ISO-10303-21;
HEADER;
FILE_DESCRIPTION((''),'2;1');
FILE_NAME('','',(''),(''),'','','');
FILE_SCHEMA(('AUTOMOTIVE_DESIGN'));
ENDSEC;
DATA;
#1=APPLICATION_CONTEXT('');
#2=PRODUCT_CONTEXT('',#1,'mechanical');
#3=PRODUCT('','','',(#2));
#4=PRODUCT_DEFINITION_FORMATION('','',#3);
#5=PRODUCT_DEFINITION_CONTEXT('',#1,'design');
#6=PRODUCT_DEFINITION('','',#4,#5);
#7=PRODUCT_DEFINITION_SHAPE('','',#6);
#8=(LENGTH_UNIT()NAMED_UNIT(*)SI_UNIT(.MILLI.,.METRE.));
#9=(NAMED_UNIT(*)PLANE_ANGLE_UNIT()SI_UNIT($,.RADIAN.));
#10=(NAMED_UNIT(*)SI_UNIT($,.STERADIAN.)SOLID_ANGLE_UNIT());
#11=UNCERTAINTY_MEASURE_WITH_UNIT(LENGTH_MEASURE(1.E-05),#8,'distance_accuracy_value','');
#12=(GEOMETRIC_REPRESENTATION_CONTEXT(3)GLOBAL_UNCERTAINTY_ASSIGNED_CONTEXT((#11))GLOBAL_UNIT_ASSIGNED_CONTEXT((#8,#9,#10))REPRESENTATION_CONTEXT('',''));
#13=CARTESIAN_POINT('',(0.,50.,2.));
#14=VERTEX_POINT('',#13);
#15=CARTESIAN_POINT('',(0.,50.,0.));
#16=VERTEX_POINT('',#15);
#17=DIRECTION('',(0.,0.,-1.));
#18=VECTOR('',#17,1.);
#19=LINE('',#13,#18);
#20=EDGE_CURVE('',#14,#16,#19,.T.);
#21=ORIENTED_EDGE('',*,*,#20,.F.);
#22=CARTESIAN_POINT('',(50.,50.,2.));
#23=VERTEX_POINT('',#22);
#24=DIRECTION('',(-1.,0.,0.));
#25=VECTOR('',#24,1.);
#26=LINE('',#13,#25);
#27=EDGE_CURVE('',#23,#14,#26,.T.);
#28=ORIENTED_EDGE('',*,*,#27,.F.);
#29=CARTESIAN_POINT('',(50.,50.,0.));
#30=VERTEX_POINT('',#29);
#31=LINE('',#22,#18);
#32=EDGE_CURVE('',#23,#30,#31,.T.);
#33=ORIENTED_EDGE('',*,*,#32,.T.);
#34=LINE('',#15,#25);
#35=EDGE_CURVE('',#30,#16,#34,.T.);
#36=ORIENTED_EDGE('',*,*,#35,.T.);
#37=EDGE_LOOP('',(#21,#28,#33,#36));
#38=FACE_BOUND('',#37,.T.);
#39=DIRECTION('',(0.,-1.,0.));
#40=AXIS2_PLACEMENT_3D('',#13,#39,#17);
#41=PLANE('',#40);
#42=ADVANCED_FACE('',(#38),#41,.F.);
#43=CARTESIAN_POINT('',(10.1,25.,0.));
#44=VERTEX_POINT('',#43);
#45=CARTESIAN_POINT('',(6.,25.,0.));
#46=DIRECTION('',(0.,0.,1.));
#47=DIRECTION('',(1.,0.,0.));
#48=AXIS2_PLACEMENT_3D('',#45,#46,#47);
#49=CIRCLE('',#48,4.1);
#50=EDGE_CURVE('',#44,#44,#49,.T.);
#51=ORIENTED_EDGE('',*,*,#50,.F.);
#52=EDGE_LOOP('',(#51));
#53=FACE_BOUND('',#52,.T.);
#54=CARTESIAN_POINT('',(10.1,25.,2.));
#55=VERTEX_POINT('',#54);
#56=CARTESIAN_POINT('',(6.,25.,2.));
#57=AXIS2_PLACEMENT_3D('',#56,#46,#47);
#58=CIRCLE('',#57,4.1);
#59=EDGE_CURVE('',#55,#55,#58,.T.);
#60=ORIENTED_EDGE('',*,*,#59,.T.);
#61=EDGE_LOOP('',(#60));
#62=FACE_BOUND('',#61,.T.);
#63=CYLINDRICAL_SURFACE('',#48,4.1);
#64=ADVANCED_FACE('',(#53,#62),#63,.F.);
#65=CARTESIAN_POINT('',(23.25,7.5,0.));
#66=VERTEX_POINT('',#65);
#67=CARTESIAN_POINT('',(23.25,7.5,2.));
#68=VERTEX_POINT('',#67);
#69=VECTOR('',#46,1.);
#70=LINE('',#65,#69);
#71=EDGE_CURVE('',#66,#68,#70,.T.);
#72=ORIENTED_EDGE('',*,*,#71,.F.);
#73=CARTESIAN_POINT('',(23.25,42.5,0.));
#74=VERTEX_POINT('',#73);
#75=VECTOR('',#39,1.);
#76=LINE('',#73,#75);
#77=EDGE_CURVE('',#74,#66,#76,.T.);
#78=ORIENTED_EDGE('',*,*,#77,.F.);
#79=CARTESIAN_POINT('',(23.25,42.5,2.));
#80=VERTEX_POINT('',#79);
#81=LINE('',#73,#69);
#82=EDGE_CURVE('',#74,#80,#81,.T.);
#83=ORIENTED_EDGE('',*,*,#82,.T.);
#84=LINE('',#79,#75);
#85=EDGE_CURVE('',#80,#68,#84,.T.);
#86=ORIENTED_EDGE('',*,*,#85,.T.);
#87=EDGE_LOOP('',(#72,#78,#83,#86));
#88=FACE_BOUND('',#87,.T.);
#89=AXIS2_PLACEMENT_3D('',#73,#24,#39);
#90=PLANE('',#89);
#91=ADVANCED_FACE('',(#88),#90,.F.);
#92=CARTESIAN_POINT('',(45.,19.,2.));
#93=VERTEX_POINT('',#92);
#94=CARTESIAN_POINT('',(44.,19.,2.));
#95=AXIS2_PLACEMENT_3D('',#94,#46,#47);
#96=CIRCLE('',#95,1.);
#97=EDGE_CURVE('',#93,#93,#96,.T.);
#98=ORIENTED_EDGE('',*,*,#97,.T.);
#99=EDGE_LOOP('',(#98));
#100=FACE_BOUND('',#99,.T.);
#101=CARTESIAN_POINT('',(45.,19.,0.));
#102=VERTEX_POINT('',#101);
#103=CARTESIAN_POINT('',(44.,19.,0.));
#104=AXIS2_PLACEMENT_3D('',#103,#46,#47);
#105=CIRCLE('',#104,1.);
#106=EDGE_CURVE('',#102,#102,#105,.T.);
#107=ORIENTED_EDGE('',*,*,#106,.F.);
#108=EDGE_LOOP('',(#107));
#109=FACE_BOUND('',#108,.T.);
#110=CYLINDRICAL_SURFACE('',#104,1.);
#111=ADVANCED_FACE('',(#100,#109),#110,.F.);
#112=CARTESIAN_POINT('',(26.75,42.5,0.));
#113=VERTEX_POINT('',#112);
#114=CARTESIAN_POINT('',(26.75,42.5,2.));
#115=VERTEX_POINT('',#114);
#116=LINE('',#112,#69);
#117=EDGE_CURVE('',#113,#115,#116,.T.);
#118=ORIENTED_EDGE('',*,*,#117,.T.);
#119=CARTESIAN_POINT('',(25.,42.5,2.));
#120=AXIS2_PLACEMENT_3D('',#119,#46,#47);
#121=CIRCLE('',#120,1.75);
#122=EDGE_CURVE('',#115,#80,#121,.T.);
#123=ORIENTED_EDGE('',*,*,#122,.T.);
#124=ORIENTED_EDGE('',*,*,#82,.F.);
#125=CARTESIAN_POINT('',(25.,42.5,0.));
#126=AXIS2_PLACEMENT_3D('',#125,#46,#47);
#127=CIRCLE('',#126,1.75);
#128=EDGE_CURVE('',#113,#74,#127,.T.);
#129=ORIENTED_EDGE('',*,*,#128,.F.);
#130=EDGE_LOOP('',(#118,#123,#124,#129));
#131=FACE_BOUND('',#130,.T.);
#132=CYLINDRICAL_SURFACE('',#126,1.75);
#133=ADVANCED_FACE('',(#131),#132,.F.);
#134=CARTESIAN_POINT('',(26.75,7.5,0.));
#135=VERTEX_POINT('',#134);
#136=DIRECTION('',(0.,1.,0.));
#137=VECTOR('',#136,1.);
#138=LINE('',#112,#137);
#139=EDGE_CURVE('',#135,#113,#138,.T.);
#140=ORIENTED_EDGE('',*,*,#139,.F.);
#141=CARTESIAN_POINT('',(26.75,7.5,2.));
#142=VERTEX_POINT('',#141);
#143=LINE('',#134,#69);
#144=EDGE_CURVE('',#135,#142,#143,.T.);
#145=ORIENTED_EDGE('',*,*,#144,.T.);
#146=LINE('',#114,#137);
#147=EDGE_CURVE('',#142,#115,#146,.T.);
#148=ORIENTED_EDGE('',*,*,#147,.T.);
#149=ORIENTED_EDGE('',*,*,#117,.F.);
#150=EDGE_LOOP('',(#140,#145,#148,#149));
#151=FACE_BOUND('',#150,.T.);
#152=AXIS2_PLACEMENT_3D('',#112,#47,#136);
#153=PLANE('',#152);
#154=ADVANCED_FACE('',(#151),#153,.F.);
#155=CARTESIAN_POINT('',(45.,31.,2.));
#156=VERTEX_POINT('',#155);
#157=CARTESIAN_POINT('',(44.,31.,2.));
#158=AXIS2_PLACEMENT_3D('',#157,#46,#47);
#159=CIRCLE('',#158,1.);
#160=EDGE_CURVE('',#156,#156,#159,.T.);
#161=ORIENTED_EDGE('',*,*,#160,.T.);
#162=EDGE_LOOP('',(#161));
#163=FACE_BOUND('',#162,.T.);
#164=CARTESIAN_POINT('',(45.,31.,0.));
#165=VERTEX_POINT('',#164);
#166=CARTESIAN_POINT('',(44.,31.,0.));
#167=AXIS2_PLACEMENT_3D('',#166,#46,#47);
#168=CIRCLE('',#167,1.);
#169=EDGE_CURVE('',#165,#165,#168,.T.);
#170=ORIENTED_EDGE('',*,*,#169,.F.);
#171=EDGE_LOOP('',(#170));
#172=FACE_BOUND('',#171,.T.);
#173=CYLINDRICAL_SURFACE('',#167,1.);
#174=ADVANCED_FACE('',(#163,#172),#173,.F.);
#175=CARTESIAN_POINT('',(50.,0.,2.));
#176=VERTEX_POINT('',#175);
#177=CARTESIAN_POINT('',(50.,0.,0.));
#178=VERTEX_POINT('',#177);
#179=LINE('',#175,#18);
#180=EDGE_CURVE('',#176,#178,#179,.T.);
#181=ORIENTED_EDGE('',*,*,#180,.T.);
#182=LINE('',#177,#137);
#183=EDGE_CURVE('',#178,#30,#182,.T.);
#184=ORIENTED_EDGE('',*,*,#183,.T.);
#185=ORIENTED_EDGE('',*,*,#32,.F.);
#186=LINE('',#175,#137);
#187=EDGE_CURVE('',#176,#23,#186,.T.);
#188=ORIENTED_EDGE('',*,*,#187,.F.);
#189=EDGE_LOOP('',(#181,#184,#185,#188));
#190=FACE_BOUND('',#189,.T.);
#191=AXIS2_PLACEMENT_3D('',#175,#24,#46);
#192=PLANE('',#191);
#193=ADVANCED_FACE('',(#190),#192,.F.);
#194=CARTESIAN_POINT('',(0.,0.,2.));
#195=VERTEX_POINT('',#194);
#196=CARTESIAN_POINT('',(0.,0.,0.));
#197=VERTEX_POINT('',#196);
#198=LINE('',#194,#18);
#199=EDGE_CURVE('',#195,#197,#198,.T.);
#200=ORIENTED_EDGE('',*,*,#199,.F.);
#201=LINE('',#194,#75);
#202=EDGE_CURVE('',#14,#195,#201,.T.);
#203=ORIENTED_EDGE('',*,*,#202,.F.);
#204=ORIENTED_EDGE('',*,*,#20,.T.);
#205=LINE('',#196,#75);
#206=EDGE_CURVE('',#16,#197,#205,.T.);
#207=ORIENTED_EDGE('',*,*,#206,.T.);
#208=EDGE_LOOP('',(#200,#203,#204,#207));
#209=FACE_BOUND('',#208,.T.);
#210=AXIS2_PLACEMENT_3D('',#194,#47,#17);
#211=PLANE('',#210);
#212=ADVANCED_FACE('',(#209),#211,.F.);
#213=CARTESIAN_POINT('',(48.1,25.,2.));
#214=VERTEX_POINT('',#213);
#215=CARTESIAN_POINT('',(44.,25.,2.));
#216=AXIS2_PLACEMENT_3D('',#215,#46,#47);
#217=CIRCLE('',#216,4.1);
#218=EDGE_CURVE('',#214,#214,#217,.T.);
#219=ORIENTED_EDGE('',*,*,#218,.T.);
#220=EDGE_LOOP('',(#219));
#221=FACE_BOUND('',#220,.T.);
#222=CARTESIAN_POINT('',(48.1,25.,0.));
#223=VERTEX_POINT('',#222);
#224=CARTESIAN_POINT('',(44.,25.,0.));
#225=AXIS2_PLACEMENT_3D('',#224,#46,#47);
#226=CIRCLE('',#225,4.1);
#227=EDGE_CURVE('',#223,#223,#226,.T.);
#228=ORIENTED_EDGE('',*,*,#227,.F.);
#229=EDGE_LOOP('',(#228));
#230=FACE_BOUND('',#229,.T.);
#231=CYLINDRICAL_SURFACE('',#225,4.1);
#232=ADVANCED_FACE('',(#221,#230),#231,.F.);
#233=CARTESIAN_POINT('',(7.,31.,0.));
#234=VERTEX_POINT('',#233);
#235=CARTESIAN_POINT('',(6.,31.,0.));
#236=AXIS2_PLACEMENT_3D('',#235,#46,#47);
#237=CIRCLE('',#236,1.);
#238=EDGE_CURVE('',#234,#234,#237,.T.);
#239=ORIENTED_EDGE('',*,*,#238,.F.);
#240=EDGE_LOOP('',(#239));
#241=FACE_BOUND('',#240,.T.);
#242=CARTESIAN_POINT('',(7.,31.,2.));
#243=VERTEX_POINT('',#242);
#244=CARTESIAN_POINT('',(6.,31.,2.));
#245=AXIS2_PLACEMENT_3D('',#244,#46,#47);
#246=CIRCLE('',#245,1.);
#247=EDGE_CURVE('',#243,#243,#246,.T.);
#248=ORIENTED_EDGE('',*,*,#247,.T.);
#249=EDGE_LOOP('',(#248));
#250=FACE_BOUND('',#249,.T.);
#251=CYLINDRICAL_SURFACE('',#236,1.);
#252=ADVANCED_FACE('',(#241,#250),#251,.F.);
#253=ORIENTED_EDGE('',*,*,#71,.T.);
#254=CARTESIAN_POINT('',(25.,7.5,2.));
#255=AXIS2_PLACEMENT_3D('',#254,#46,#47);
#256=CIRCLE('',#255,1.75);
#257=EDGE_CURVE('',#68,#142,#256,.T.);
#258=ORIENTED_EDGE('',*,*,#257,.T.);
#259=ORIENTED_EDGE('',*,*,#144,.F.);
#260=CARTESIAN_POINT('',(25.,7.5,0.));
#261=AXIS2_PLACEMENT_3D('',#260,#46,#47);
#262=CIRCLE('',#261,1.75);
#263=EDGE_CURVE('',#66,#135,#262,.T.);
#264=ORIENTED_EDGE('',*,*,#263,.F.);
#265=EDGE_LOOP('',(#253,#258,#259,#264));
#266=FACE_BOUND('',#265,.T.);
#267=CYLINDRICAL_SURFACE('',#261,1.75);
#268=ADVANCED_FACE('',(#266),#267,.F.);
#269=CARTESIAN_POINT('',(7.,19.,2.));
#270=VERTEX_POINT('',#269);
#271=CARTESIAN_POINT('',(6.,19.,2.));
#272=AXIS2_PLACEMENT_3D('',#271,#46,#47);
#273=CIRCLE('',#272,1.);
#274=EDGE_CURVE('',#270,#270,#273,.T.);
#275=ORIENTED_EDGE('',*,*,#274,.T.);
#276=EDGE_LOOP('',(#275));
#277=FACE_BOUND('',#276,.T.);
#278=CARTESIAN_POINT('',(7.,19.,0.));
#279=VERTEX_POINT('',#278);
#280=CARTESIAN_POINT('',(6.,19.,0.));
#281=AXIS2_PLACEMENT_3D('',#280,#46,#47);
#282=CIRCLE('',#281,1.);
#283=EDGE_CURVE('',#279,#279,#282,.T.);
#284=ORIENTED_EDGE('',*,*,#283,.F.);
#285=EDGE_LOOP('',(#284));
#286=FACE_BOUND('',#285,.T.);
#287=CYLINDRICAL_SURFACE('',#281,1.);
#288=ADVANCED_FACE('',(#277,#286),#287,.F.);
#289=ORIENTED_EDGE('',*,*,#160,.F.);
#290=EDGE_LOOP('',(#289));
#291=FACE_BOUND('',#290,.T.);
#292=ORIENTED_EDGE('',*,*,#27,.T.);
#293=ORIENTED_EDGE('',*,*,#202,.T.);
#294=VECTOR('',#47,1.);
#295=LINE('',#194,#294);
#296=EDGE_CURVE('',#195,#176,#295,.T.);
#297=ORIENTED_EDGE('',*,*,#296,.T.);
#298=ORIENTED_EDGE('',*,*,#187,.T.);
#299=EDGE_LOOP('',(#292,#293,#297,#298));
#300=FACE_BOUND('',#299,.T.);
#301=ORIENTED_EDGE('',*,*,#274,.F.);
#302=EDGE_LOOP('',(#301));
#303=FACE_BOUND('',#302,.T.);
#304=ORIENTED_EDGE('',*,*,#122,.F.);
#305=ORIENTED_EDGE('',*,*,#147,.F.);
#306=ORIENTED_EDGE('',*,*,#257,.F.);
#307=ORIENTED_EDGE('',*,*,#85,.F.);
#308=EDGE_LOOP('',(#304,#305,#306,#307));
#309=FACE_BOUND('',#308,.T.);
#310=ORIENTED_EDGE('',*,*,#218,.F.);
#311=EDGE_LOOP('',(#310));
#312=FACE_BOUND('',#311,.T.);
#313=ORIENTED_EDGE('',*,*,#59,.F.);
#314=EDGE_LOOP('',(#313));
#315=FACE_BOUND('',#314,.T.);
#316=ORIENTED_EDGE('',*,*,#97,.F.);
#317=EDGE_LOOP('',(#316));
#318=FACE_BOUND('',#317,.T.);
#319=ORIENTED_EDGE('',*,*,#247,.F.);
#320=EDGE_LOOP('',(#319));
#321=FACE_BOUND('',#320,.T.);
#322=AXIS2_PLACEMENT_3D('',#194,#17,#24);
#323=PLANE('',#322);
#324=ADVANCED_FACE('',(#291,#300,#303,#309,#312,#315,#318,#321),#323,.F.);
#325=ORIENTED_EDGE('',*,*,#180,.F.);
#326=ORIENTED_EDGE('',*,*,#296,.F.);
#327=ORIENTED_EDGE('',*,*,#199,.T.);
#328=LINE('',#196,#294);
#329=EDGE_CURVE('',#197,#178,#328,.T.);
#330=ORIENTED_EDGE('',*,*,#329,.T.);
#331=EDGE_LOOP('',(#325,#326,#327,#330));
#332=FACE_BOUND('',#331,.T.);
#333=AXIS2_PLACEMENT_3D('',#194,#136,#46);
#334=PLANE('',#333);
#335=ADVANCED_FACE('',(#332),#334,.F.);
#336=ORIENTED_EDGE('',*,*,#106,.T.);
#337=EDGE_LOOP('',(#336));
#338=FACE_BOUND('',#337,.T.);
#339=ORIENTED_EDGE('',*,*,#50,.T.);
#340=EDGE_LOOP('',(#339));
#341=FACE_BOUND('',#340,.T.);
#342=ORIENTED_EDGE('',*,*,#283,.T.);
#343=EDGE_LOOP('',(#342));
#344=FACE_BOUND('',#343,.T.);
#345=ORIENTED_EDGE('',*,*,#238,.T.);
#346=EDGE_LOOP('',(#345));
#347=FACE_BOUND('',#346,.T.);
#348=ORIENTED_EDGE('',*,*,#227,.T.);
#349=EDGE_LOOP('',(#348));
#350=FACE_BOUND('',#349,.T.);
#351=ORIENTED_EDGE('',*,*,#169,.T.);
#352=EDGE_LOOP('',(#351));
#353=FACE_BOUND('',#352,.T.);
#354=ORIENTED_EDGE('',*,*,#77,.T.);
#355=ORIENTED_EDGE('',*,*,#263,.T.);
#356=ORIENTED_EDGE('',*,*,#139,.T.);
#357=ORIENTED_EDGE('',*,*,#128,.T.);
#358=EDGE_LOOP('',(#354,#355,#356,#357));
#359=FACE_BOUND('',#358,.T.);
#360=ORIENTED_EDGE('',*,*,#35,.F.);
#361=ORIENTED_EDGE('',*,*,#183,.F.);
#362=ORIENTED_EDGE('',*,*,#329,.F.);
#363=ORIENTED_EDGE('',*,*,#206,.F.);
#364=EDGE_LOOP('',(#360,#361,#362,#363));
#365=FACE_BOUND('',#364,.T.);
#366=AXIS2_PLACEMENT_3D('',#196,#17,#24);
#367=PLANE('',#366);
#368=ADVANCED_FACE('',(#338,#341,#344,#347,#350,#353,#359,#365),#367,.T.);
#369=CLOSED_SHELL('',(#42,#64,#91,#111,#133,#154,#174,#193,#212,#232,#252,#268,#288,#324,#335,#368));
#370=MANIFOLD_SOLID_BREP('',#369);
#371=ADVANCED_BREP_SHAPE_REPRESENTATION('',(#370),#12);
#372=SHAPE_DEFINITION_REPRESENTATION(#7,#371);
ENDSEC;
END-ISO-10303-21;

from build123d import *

# Parameters (mm, degrees)
SKETCH1_W                = 50
SKETCH1_H                = 50
PLATE_BODY_DEPTH         = 2
SKETCH2_R                = 4.1
SHAFT_BEARINGS_DEPTH     = 3
SKETCH3_R                = 1
BEARING_BOLT_HOLES_DEPTH = 3
CUT_EXTRUDE1_DEPTH       = 3


with BuildPart() as part:
    # Sketch1 → plate_body (new body)
    with BuildSketch(Plane.XY):
        with Locations((25, 25)):
            Rectangle(SKETCH1_W, SKETCH1_H)
    extrude(amount=PLATE_BODY_DEPTH)

    # Sketch2 → shaft_bearings (cut, through all)
    with BuildSketch(Plane.XY.offset(2)):
        with Locations((6, 25)):
            Circle(SKETCH2_R)
        with Locations((44, 25)):
            Circle(SKETCH2_R)
    extrude(amount=-SHAFT_BEARINGS_DEPTH, mode=Mode.SUBTRACT)

    # Sketch3 → bearing_bolt_holes (cut, through all)
    with BuildSketch(Plane.XY.offset(2)):
        with Locations((6, 31)):
            Circle(SKETCH3_R)
        with Locations((6, 19)):
            Circle(SKETCH3_R)
        with Locations((44, 31)):
            Circle(SKETCH3_R)
        with Locations((44, 19)):
            Circle(SKETCH3_R)
    extrude(amount=-BEARING_BOLT_HOLES_DEPTH, mode=Mode.SUBTRACT)

    # Sketch4 → Cut-Extrude1 (cut, through all)
    with BuildSketch(Plane.XY.offset(2)):
        with BuildLine():
            Line((26.75, 42.5), (26.75, 7.5))
            ThreePointArc((26.75, 7.5), (25, 5.75), (23.25, 7.5))
            Line((23.25, 7.5), (23.25, 42.5))
            ThreePointArc((23.25, 42.5), (25, 44.25), (26.75, 42.5))
        make_face()
    extrude(amount=-CUT_EXTRUDE1_DEPTH, mode=Mode.SUBTRACT)


solid = part.part
